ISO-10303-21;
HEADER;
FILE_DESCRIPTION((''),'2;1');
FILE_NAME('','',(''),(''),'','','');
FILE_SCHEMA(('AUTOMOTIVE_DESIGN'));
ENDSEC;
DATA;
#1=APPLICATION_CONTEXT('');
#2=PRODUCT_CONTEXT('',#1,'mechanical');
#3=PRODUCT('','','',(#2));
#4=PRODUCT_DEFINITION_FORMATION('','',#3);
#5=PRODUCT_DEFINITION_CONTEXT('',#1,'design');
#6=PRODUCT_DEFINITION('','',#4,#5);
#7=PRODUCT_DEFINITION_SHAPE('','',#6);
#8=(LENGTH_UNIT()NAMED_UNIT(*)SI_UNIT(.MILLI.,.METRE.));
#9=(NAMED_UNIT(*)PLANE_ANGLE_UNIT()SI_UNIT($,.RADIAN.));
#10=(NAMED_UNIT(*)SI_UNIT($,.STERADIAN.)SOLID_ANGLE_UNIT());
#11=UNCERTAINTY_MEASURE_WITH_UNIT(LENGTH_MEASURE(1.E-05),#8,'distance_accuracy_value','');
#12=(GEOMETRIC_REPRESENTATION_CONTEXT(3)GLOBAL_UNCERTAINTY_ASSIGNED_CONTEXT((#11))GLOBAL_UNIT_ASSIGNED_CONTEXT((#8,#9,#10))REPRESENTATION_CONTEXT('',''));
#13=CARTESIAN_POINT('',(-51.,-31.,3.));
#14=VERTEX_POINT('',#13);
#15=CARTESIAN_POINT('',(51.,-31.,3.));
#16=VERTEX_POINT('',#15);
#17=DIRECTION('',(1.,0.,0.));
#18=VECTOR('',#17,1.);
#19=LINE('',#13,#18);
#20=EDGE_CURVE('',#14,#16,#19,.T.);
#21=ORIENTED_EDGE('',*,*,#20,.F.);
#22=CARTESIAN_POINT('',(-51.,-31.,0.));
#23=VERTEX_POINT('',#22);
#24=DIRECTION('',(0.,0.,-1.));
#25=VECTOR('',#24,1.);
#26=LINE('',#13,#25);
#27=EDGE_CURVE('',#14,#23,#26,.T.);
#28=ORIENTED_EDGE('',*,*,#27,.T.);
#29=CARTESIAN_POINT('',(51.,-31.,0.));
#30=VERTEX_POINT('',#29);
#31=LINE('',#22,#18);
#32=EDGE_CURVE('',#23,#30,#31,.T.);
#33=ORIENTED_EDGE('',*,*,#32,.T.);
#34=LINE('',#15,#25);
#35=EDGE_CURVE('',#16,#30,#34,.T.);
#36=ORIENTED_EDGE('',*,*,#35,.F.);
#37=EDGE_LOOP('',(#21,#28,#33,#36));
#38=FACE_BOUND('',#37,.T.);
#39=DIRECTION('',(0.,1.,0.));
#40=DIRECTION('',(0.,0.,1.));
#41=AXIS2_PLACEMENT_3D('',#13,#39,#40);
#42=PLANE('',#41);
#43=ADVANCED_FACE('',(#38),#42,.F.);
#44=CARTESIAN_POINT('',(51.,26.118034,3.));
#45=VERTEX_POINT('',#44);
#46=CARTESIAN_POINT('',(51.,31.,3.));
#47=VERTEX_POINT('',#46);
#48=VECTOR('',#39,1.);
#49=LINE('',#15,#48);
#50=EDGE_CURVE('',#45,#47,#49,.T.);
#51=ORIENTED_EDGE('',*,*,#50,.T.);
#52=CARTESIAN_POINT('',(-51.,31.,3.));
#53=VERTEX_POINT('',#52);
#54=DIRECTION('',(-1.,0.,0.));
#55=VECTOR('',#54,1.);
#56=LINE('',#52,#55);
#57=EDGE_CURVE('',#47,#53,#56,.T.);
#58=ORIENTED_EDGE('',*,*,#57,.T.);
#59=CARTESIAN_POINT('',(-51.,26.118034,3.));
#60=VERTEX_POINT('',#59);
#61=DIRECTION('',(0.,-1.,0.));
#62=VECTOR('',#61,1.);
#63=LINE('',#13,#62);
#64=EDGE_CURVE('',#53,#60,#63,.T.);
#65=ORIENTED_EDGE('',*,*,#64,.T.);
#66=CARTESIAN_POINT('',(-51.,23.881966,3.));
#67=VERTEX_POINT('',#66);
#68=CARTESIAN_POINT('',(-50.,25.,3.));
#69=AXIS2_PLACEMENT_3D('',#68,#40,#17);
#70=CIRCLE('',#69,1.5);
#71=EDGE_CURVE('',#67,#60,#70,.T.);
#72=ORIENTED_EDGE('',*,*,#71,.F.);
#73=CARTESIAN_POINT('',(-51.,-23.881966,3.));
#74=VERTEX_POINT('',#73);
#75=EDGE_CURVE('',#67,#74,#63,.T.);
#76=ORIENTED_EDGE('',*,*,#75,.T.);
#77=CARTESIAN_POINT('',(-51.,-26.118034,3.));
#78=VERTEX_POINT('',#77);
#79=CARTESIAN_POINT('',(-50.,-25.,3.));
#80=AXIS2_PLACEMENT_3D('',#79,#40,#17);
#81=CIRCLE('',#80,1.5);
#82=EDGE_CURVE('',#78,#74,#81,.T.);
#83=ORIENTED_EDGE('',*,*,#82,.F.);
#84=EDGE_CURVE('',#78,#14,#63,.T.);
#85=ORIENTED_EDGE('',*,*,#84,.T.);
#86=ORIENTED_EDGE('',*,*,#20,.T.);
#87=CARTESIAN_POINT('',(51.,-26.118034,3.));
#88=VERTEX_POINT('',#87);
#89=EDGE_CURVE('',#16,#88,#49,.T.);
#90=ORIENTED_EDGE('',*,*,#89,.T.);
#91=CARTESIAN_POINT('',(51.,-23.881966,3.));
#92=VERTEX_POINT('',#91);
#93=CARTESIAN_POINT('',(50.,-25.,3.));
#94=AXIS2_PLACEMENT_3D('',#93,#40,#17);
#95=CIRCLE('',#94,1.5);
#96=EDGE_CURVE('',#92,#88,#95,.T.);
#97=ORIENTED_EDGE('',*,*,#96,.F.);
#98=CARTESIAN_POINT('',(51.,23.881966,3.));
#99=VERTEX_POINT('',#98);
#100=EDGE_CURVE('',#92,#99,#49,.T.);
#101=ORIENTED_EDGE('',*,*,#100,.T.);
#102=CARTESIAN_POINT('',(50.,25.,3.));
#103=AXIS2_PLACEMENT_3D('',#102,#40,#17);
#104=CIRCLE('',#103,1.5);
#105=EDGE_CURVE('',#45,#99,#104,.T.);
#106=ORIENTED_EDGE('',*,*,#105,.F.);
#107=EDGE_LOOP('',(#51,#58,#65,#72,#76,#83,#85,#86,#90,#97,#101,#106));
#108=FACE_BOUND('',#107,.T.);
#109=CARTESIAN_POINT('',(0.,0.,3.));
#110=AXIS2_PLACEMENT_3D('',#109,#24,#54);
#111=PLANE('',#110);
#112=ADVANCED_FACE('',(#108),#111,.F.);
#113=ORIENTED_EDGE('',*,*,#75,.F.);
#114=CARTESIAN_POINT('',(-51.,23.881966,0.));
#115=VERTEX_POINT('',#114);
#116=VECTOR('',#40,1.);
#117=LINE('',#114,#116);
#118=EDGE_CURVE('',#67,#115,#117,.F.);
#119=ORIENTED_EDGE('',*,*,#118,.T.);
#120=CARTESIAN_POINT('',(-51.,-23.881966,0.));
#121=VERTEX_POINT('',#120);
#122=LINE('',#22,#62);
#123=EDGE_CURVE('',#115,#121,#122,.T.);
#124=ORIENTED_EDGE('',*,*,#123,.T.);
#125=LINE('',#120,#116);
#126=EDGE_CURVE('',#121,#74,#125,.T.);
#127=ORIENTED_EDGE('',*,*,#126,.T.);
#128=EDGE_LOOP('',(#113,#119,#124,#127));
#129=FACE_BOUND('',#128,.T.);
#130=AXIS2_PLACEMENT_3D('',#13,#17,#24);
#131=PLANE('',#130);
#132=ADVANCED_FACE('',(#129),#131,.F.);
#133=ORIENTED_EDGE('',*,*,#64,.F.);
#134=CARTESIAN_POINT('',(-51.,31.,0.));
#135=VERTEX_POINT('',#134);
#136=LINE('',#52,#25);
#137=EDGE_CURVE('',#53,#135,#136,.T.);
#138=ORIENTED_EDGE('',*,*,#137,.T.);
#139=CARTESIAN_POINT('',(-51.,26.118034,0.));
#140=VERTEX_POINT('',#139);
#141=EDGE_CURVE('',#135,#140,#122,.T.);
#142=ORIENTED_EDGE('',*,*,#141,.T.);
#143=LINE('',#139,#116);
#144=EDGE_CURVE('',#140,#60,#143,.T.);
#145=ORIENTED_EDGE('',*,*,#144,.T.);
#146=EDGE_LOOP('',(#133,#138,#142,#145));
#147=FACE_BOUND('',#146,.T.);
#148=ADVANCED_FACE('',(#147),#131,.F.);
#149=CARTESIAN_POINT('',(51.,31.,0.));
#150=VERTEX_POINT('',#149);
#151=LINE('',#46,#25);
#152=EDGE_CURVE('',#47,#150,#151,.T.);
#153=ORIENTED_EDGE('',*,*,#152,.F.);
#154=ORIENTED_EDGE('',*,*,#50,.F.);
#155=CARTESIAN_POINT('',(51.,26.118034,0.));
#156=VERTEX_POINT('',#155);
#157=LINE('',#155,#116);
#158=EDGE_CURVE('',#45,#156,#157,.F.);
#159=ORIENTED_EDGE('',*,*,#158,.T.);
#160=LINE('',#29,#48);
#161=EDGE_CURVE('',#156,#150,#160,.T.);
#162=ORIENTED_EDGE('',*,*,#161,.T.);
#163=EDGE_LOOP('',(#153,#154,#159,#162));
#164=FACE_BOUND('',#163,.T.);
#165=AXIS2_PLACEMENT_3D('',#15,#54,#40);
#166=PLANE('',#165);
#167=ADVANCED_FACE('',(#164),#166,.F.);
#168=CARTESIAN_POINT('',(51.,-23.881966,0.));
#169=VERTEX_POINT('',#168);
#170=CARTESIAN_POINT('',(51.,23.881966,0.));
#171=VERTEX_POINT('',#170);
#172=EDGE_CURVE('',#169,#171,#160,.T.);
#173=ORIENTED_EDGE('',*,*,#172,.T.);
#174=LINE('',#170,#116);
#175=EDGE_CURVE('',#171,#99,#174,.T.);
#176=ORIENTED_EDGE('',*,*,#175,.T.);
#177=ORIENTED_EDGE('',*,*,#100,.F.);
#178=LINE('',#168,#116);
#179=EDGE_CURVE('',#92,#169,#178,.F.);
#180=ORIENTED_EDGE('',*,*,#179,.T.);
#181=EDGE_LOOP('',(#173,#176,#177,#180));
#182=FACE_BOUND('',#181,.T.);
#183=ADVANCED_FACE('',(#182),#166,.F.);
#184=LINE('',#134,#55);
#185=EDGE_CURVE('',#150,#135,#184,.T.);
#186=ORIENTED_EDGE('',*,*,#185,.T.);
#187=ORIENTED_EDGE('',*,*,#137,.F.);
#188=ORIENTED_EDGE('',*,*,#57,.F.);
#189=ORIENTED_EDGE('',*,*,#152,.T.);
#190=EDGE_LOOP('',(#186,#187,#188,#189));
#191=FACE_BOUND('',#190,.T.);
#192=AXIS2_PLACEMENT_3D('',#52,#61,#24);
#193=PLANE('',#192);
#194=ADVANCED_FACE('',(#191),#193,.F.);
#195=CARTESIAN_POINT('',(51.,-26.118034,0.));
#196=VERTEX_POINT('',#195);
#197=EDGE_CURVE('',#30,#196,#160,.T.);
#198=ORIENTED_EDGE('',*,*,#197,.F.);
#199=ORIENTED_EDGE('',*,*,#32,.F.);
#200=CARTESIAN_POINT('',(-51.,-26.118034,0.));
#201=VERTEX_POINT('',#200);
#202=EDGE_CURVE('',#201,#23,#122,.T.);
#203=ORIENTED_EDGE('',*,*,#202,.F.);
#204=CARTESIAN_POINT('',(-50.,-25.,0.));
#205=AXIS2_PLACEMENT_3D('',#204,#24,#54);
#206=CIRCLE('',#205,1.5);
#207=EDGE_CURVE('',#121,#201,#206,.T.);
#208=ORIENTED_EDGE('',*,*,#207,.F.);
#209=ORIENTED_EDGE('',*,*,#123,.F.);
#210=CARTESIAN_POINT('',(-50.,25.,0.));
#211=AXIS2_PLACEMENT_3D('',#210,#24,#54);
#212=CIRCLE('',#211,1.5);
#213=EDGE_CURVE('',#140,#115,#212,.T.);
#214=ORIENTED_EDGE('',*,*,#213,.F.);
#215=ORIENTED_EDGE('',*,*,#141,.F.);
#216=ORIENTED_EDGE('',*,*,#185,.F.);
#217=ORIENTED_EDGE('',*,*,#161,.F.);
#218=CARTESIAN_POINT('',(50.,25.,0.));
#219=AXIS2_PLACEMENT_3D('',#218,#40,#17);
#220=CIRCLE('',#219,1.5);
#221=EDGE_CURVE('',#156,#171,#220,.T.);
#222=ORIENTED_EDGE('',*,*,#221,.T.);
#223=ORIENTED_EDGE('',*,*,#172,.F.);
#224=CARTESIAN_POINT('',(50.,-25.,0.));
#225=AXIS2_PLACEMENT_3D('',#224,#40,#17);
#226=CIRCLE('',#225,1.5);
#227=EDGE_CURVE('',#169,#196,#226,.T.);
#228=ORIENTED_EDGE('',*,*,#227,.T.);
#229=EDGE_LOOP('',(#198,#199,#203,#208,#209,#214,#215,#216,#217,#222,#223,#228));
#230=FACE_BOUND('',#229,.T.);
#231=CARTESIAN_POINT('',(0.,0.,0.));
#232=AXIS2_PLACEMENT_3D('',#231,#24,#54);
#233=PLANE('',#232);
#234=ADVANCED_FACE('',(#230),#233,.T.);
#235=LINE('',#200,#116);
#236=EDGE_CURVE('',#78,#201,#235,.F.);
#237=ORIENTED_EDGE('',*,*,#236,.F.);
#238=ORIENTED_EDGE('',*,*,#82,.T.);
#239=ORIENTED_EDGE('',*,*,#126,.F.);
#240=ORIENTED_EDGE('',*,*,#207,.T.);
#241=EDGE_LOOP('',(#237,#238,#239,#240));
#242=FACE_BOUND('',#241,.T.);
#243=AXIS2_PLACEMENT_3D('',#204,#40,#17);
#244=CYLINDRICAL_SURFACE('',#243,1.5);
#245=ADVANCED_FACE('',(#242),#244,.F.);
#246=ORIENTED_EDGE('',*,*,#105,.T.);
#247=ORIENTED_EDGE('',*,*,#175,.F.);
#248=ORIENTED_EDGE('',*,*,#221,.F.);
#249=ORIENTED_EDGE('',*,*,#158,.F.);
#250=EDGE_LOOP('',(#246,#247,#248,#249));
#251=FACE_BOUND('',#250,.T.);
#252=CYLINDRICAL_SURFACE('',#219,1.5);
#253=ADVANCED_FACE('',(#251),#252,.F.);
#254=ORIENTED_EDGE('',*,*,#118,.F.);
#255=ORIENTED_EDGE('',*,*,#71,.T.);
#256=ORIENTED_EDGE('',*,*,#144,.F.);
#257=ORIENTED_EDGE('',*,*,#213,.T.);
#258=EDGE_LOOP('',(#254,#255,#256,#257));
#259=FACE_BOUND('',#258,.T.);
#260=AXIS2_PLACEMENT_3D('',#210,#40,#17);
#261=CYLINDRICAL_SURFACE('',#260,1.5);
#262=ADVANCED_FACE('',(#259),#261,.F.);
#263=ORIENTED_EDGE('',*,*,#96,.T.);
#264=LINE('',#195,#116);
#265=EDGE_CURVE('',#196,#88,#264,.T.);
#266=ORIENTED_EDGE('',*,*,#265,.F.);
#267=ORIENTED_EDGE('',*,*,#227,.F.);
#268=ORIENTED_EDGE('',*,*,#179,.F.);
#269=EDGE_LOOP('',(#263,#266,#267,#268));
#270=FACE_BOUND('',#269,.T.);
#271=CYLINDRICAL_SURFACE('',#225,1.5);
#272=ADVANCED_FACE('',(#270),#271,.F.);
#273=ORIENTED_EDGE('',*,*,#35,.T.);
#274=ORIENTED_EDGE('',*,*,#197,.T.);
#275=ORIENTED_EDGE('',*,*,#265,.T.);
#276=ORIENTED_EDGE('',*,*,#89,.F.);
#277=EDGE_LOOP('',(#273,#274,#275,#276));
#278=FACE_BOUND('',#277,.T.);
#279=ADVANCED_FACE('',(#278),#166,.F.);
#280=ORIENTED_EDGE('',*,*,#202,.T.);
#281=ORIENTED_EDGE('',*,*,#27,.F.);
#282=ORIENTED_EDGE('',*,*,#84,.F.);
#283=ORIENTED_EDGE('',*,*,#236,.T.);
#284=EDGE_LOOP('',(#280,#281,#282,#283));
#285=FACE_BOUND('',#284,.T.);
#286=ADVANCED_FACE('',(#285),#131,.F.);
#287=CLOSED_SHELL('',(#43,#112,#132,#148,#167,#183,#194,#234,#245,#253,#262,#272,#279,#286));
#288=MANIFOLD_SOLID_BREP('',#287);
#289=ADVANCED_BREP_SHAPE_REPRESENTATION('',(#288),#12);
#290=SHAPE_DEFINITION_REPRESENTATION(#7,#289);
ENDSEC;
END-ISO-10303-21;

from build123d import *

# Parameters (mm, degrees)
SKETCH_1_W          = 102
SKETCH_1_H          = 62
EXTRUDE_1_DEPTH     = 3
SKETCH_2_R          = 1.5
CUT_EXTRUDE_1_DEPTH = 3


with BuildPart() as part:
    # 草图1 → 凸台-拉伸1 (new body)
    with BuildSketch(Plane.XY):
        Rectangle(SKETCH_1_W, SKETCH_1_H)
    extrude(amount=EXTRUDE_1_DEPTH)

    # 草图2 → 切除-拉伸1 (cut)
    with BuildSketch(Plane.XY.offset(3)):
        with Locations((-50, 25)):
            Circle(SKETCH_2_R)
        with Locations((50, 25)):
            Circle(SKETCH_2_R)
        with Locations((50, -25)):
            Circle(SKETCH_2_R)
        with Locations((-50, -25)):
            Circle(SKETCH_2_R)
    extrude(amount=-CUT_EXTRUDE_1_DEPTH, mode=Mode.SUBTRACT)


solid = part.part
